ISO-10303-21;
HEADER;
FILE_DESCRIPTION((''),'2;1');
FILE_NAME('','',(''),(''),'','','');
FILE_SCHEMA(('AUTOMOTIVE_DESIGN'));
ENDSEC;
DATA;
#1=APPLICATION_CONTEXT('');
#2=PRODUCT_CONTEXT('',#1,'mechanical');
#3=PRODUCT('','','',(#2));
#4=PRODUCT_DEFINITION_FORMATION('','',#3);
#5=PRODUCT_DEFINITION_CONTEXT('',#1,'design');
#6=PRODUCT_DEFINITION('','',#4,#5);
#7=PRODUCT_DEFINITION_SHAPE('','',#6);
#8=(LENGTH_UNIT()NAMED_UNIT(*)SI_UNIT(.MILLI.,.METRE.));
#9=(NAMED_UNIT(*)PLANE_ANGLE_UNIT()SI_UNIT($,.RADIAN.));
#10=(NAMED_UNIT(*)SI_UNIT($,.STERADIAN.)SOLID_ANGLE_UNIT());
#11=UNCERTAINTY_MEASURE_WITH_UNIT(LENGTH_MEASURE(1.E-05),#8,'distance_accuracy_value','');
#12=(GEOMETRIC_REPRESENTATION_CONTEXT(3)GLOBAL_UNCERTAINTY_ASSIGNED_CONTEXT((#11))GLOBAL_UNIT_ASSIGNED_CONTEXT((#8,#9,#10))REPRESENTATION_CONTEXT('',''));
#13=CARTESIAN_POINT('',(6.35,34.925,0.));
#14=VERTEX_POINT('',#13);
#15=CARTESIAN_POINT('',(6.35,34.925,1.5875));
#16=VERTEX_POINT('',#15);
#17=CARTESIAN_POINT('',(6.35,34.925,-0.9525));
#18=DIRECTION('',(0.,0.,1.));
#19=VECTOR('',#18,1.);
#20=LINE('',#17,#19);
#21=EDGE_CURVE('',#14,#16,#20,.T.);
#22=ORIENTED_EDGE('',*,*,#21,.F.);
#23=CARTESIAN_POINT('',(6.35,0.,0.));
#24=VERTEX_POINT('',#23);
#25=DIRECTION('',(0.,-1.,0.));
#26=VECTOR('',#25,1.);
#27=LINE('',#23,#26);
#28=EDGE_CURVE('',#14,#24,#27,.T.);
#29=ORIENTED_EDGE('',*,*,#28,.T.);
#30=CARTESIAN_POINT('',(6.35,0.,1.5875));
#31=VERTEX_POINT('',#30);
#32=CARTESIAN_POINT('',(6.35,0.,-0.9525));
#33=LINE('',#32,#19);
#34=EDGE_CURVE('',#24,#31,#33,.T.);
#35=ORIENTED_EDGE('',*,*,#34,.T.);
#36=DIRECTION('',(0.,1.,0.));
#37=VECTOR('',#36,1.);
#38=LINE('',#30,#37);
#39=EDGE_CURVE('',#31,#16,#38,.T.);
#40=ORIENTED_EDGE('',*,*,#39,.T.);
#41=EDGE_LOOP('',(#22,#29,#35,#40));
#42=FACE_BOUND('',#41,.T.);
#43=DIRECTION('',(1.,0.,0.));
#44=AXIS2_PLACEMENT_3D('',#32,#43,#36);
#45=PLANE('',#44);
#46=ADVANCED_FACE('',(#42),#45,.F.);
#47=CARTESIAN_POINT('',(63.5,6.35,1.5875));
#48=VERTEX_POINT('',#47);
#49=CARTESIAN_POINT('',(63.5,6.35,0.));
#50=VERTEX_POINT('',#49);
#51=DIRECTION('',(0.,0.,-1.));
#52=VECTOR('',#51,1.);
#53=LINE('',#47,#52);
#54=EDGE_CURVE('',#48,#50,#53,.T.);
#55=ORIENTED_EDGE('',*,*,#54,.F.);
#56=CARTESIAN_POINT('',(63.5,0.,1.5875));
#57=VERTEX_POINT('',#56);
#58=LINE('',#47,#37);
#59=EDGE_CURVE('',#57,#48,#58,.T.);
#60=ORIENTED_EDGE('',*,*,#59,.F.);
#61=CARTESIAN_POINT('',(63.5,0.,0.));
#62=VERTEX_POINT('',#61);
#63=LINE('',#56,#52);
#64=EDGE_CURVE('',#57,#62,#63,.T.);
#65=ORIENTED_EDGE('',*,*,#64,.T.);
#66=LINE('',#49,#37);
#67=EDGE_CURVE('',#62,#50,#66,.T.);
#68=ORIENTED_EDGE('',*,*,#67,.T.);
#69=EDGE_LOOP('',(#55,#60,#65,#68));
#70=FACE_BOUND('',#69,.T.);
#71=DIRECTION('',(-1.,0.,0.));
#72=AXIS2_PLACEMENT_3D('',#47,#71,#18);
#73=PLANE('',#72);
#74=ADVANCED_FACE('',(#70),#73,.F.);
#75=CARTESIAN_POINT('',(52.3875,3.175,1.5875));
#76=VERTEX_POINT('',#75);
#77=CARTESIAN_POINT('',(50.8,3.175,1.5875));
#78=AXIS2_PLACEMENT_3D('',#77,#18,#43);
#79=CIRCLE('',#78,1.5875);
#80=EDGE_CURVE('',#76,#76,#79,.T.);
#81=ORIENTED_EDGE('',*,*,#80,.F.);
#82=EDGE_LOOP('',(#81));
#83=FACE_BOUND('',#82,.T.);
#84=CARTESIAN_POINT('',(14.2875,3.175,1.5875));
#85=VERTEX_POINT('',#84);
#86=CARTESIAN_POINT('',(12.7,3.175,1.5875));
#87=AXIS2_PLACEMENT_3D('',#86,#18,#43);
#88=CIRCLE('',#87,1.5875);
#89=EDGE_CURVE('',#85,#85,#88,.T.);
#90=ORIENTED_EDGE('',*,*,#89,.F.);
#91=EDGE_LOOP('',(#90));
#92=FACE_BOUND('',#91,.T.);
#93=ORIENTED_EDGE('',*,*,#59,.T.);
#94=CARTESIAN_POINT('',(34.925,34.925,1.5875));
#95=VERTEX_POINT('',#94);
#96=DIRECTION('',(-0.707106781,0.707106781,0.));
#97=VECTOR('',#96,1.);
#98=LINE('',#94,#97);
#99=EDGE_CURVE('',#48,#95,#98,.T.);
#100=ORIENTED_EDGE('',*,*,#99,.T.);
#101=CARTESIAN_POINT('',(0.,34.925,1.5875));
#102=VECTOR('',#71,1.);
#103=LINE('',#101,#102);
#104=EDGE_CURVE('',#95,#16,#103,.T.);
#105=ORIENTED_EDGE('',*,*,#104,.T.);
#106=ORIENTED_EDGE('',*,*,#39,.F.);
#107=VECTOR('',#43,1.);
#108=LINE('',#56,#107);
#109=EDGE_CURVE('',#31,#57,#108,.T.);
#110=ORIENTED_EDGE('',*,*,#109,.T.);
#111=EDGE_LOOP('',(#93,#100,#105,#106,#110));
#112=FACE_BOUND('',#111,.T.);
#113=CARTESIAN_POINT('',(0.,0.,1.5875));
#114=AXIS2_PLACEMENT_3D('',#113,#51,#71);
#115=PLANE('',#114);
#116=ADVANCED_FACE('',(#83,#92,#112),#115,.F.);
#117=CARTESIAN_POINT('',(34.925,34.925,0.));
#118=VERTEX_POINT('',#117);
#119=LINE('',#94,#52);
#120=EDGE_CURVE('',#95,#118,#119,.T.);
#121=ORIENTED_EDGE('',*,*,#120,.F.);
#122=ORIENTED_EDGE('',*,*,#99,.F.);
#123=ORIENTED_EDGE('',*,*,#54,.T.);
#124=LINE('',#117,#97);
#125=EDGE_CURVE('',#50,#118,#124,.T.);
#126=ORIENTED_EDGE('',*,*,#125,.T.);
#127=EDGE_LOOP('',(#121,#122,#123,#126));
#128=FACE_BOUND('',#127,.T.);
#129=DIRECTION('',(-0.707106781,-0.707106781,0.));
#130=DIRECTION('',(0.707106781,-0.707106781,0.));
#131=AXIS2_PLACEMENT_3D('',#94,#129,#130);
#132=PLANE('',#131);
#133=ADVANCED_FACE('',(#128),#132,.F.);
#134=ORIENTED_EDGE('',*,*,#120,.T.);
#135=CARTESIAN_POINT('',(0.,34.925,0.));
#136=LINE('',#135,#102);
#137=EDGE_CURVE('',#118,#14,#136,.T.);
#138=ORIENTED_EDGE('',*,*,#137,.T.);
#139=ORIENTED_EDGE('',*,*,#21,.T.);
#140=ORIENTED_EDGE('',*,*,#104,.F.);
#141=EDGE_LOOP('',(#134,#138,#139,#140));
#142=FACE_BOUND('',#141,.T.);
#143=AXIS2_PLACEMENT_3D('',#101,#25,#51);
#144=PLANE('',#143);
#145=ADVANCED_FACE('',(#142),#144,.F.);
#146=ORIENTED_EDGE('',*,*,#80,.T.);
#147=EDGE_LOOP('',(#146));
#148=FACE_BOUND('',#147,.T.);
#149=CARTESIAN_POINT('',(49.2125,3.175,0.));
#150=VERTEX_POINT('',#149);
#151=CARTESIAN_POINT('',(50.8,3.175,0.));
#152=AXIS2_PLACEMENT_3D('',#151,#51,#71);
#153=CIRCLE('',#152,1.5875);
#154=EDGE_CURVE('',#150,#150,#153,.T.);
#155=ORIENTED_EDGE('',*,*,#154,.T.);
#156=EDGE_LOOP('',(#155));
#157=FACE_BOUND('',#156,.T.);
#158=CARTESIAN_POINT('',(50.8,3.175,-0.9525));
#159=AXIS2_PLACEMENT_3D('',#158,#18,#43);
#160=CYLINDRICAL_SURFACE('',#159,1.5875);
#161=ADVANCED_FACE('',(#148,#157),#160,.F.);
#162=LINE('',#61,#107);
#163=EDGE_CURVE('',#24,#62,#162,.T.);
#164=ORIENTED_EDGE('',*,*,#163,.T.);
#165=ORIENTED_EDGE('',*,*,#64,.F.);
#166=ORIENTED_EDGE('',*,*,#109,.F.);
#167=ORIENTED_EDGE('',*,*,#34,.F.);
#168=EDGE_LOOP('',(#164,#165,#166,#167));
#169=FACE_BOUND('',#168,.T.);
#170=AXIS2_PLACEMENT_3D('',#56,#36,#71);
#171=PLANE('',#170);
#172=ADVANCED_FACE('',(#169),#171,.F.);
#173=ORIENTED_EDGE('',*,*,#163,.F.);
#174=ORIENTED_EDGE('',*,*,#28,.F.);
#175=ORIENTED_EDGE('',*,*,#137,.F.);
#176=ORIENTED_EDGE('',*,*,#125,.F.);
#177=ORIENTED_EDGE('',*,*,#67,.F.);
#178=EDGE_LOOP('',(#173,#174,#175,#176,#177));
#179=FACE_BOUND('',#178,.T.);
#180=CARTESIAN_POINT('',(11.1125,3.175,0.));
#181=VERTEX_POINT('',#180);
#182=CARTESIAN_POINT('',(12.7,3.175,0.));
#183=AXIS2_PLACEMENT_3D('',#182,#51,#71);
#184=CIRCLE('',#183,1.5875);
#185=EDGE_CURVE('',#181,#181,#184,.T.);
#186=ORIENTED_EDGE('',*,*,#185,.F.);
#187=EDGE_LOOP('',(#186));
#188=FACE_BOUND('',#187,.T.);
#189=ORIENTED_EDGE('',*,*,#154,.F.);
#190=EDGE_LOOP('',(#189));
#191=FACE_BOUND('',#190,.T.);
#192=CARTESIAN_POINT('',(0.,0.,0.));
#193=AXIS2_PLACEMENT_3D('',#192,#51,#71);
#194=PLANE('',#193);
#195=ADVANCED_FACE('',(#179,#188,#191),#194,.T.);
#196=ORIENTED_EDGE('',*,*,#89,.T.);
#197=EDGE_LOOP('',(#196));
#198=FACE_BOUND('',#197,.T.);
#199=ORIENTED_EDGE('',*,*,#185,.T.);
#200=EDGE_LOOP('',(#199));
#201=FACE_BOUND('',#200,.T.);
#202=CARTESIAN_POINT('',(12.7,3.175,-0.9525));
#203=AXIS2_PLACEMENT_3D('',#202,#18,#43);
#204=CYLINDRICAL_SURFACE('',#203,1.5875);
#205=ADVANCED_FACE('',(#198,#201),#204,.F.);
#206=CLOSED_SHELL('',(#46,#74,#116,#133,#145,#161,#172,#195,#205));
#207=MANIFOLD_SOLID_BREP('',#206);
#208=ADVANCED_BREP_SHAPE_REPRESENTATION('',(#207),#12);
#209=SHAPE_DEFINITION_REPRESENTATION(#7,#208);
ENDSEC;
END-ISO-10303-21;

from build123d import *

# Parameters (mm, degrees)
BOSS_EXTRUDE1_DEPTH = 1.5875
SKETCH2_R           = 1.5875
CUT_EXTRUDE1_DEPTH  = 2.54
LPATTERN2_COUNT     = 2
LPATTERN2_PITCH     = 38.1
SKETCH3_W           = 6.35
SKETCH3_H           = 34.925
CUT_EXTRUDE2_DEPTH  = 2.54


with BuildPart() as part:
    # Sketch1 → Boss-Extrude1 (new body)
    with BuildSketch(Plane.XY):
        Polygon((0, 0), (0, 34.925), (34.925, 34.925), (63.5, 6.35), (63.5, 0), align=None)
    extrude(amount=BOSS_EXTRUDE1_DEPTH)

    # Sketch2 → Cut-Extrude1 (cut)
    with BuildSketch(Plane.XY.offset(1.5875)):
        with Locations((12.7, 3.175)):
            Circle(SKETCH2_R)
    cut_extrude1 = extrude(amount=-CUT_EXTRUDE1_DEPTH, mode=Mode.SUBTRACT)

    # LPattern2: Cut-Extrude1 ×2
    with Locations(*[(i * LPATTERN2_PITCH, 0, 0) for i in range(1, LPATTERN2_COUNT)]):
        add(cut_extrude1, mode=Mode.SUBTRACT)

    # Sketch3 → Cut-Extrude2 (cut)
    with BuildSketch(Plane.XY.offset(1.5875)):
        with Locations((3.175, 17.4625)):
            Rectangle(SKETCH3_W, SKETCH3_H)
    extrude(amount=-CUT_EXTRUDE2_DEPTH, mode=Mode.SUBTRACT)


solid = part.part
